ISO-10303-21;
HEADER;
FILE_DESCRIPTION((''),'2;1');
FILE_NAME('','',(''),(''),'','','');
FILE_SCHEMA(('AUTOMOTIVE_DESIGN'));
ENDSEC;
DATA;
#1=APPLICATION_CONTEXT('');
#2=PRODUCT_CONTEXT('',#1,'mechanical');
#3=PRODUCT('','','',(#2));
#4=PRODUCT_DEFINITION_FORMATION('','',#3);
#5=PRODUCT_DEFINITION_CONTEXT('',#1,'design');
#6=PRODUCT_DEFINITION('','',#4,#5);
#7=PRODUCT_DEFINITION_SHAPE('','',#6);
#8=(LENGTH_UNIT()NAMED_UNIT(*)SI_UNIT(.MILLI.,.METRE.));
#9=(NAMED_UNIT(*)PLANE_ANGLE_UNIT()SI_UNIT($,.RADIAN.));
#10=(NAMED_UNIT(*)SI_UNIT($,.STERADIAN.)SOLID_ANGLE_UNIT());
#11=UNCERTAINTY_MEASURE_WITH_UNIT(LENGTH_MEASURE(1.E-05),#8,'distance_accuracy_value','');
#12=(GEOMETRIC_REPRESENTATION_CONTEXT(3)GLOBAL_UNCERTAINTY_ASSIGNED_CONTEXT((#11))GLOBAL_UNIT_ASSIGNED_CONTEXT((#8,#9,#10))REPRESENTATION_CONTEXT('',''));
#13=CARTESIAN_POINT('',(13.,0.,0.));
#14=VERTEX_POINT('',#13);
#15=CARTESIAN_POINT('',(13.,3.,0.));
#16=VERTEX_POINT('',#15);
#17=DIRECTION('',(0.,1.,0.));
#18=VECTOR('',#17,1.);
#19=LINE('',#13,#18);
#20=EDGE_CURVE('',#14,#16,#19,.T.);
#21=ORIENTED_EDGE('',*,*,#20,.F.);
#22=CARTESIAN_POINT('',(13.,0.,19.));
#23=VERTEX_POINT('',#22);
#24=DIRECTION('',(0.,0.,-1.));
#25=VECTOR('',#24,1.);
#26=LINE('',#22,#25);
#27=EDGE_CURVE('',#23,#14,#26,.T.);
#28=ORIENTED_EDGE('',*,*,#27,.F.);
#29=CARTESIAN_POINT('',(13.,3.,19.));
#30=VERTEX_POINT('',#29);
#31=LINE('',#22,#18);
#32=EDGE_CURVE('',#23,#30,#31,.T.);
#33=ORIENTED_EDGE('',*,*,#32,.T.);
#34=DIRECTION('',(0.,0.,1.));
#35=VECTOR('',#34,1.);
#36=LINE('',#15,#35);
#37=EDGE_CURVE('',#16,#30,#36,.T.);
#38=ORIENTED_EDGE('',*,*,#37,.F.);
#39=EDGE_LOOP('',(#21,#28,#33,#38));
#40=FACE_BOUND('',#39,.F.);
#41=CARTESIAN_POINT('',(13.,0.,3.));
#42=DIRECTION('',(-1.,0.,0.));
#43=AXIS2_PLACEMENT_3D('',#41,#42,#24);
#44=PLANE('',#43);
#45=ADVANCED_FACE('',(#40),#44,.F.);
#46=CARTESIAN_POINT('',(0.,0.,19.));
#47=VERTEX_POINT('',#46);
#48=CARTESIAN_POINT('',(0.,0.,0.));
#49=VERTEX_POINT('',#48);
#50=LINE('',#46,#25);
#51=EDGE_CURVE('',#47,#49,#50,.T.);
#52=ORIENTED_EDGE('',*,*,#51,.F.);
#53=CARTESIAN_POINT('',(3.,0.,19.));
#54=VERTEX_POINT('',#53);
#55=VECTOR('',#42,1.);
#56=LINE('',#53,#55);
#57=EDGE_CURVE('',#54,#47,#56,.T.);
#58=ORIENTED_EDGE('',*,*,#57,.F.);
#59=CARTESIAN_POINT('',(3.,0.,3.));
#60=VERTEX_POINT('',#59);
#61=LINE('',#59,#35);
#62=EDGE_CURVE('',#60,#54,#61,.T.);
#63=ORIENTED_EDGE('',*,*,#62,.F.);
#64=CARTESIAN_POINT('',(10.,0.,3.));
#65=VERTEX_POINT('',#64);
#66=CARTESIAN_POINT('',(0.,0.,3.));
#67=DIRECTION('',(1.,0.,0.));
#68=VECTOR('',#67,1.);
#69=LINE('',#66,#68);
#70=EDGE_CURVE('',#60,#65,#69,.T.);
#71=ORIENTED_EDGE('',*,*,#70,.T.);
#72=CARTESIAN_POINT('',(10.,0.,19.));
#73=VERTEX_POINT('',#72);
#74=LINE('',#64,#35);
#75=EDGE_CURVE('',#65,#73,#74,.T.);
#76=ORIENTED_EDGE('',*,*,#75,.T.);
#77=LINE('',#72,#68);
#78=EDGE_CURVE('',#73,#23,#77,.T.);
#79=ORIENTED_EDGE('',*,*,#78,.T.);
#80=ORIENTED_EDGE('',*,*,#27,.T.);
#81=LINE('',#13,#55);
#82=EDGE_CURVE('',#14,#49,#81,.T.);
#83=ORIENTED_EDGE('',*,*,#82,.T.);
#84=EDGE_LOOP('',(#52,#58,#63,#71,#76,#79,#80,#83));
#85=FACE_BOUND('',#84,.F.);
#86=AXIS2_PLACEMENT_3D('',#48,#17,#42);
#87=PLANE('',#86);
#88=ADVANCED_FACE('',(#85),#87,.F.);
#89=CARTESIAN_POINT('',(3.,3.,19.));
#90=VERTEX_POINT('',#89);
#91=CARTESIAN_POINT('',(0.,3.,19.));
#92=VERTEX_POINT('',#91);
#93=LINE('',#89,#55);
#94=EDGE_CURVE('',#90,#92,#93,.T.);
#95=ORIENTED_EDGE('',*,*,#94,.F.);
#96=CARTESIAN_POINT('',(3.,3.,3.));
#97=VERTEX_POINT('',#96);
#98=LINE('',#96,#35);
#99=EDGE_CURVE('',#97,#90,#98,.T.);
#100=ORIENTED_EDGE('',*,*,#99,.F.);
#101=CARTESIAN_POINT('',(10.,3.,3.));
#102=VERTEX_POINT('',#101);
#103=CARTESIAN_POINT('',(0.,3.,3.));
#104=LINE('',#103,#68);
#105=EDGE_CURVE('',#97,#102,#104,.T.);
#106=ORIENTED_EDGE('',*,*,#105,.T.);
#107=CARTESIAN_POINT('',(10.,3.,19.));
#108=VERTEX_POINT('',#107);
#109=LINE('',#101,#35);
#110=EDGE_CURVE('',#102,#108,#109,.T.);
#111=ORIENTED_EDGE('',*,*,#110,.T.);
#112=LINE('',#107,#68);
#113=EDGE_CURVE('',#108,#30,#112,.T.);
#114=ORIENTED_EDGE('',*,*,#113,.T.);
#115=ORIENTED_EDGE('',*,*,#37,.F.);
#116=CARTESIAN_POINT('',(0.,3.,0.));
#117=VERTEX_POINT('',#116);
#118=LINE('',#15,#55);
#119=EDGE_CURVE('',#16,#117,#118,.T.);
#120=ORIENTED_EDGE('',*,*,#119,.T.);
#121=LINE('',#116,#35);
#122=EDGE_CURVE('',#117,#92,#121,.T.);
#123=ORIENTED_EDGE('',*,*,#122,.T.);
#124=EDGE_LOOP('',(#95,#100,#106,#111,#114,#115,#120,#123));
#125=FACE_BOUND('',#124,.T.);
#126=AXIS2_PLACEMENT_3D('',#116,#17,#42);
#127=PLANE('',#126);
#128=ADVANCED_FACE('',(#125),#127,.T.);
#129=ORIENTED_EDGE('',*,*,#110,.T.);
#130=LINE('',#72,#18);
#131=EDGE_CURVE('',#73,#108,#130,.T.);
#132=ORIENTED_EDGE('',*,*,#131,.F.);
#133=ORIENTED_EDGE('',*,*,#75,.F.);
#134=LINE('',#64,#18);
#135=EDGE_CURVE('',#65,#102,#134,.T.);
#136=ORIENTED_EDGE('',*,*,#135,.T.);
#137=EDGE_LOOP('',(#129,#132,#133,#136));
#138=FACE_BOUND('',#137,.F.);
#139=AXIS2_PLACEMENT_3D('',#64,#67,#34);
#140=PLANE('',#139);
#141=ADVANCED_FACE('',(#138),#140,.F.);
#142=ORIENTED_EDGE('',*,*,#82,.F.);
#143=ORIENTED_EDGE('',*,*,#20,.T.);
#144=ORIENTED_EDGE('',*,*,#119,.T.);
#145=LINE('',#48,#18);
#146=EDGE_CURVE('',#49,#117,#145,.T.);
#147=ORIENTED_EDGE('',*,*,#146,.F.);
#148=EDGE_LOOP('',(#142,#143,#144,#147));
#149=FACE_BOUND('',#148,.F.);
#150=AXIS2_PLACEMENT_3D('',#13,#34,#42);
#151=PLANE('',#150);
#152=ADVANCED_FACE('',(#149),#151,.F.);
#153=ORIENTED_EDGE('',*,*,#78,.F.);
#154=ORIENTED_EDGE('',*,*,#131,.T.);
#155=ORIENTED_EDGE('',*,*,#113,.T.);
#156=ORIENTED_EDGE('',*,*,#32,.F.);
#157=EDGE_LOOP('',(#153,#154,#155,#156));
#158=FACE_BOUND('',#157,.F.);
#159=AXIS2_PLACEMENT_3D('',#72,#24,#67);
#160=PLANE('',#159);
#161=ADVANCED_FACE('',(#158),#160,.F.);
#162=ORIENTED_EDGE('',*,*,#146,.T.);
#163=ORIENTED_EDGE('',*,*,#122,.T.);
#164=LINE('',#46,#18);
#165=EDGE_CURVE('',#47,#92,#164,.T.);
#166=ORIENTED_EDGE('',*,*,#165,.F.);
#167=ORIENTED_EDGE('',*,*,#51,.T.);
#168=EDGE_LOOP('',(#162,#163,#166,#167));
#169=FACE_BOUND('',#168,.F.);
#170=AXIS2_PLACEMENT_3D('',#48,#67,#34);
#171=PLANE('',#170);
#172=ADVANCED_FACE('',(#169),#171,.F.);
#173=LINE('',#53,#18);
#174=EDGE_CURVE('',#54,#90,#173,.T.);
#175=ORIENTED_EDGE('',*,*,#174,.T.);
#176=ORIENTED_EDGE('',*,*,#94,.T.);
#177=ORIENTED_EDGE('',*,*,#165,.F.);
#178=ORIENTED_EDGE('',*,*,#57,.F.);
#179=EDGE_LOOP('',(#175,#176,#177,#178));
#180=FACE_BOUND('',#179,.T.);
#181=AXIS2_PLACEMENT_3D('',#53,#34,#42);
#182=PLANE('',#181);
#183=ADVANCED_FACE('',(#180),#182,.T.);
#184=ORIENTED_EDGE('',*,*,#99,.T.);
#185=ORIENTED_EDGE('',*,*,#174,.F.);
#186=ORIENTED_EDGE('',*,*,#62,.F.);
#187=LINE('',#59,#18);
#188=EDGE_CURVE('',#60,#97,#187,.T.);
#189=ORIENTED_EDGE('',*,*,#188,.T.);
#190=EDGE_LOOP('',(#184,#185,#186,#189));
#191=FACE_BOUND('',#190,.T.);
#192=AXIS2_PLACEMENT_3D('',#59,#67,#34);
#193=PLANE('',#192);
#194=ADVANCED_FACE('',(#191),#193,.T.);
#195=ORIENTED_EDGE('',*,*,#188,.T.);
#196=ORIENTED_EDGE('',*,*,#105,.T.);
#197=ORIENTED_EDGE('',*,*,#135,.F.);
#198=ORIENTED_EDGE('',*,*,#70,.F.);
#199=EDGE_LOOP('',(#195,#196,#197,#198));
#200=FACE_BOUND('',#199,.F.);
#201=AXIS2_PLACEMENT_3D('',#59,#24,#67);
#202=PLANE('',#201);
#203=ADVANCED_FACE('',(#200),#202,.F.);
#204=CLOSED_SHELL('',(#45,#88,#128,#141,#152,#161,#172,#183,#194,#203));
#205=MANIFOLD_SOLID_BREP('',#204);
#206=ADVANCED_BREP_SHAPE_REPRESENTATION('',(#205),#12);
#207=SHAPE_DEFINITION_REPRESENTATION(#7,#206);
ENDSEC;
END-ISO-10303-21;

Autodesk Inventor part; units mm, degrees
ref_plane "YZ Plane" through (0, 0, 0) normal (1, 0, 0) x (0, 1, 0)
ref_plane "XZ Plane" through (0, 0, 0) normal (0, 1, 0) x (-1, 0, 0)
ref_plane "XY Plane" through (0, 0, 0) normal (0, 0, 1) x (1, 0, 0)
sketch "Sketch1" plane through (0, 0, 0) normal (0, 1, 0) x (-1, 0, 0)
  line L0 (-13, 0) -> (0, 0)
  line L1 (0, 0) -> (0, 3)
  line L2 (0, 3) -> (-13, 3)
  line L3 (-13, 3) -> (-13, 0)
  line L4 (-13, 3) -> (-10, 3)
  line L5 (-10, 3) -> (-10, 19)
  line L6 (-10, 19) -> (-13, 19)
  line L7 (-13, 19) -> (-13, 3)
  line L8 (0, 3) -> (-3, 3)
  line L9 (-3, 3) -> (-3, 19)
  line L10 (-3, 19) -> (0, 19)
  line L11 (0, 19) -> (0, 3)
  point P0 (0, 0)
  dimension "d0" = 13
  dimension "d1" = 3
  dimension "d2" = 3
  dimension "d3" = 16
  dimension "d4" = 3
  dimension "d5" = 16
extrude "Extrusion1" add sketch "Sketch1" along normal blind 3
